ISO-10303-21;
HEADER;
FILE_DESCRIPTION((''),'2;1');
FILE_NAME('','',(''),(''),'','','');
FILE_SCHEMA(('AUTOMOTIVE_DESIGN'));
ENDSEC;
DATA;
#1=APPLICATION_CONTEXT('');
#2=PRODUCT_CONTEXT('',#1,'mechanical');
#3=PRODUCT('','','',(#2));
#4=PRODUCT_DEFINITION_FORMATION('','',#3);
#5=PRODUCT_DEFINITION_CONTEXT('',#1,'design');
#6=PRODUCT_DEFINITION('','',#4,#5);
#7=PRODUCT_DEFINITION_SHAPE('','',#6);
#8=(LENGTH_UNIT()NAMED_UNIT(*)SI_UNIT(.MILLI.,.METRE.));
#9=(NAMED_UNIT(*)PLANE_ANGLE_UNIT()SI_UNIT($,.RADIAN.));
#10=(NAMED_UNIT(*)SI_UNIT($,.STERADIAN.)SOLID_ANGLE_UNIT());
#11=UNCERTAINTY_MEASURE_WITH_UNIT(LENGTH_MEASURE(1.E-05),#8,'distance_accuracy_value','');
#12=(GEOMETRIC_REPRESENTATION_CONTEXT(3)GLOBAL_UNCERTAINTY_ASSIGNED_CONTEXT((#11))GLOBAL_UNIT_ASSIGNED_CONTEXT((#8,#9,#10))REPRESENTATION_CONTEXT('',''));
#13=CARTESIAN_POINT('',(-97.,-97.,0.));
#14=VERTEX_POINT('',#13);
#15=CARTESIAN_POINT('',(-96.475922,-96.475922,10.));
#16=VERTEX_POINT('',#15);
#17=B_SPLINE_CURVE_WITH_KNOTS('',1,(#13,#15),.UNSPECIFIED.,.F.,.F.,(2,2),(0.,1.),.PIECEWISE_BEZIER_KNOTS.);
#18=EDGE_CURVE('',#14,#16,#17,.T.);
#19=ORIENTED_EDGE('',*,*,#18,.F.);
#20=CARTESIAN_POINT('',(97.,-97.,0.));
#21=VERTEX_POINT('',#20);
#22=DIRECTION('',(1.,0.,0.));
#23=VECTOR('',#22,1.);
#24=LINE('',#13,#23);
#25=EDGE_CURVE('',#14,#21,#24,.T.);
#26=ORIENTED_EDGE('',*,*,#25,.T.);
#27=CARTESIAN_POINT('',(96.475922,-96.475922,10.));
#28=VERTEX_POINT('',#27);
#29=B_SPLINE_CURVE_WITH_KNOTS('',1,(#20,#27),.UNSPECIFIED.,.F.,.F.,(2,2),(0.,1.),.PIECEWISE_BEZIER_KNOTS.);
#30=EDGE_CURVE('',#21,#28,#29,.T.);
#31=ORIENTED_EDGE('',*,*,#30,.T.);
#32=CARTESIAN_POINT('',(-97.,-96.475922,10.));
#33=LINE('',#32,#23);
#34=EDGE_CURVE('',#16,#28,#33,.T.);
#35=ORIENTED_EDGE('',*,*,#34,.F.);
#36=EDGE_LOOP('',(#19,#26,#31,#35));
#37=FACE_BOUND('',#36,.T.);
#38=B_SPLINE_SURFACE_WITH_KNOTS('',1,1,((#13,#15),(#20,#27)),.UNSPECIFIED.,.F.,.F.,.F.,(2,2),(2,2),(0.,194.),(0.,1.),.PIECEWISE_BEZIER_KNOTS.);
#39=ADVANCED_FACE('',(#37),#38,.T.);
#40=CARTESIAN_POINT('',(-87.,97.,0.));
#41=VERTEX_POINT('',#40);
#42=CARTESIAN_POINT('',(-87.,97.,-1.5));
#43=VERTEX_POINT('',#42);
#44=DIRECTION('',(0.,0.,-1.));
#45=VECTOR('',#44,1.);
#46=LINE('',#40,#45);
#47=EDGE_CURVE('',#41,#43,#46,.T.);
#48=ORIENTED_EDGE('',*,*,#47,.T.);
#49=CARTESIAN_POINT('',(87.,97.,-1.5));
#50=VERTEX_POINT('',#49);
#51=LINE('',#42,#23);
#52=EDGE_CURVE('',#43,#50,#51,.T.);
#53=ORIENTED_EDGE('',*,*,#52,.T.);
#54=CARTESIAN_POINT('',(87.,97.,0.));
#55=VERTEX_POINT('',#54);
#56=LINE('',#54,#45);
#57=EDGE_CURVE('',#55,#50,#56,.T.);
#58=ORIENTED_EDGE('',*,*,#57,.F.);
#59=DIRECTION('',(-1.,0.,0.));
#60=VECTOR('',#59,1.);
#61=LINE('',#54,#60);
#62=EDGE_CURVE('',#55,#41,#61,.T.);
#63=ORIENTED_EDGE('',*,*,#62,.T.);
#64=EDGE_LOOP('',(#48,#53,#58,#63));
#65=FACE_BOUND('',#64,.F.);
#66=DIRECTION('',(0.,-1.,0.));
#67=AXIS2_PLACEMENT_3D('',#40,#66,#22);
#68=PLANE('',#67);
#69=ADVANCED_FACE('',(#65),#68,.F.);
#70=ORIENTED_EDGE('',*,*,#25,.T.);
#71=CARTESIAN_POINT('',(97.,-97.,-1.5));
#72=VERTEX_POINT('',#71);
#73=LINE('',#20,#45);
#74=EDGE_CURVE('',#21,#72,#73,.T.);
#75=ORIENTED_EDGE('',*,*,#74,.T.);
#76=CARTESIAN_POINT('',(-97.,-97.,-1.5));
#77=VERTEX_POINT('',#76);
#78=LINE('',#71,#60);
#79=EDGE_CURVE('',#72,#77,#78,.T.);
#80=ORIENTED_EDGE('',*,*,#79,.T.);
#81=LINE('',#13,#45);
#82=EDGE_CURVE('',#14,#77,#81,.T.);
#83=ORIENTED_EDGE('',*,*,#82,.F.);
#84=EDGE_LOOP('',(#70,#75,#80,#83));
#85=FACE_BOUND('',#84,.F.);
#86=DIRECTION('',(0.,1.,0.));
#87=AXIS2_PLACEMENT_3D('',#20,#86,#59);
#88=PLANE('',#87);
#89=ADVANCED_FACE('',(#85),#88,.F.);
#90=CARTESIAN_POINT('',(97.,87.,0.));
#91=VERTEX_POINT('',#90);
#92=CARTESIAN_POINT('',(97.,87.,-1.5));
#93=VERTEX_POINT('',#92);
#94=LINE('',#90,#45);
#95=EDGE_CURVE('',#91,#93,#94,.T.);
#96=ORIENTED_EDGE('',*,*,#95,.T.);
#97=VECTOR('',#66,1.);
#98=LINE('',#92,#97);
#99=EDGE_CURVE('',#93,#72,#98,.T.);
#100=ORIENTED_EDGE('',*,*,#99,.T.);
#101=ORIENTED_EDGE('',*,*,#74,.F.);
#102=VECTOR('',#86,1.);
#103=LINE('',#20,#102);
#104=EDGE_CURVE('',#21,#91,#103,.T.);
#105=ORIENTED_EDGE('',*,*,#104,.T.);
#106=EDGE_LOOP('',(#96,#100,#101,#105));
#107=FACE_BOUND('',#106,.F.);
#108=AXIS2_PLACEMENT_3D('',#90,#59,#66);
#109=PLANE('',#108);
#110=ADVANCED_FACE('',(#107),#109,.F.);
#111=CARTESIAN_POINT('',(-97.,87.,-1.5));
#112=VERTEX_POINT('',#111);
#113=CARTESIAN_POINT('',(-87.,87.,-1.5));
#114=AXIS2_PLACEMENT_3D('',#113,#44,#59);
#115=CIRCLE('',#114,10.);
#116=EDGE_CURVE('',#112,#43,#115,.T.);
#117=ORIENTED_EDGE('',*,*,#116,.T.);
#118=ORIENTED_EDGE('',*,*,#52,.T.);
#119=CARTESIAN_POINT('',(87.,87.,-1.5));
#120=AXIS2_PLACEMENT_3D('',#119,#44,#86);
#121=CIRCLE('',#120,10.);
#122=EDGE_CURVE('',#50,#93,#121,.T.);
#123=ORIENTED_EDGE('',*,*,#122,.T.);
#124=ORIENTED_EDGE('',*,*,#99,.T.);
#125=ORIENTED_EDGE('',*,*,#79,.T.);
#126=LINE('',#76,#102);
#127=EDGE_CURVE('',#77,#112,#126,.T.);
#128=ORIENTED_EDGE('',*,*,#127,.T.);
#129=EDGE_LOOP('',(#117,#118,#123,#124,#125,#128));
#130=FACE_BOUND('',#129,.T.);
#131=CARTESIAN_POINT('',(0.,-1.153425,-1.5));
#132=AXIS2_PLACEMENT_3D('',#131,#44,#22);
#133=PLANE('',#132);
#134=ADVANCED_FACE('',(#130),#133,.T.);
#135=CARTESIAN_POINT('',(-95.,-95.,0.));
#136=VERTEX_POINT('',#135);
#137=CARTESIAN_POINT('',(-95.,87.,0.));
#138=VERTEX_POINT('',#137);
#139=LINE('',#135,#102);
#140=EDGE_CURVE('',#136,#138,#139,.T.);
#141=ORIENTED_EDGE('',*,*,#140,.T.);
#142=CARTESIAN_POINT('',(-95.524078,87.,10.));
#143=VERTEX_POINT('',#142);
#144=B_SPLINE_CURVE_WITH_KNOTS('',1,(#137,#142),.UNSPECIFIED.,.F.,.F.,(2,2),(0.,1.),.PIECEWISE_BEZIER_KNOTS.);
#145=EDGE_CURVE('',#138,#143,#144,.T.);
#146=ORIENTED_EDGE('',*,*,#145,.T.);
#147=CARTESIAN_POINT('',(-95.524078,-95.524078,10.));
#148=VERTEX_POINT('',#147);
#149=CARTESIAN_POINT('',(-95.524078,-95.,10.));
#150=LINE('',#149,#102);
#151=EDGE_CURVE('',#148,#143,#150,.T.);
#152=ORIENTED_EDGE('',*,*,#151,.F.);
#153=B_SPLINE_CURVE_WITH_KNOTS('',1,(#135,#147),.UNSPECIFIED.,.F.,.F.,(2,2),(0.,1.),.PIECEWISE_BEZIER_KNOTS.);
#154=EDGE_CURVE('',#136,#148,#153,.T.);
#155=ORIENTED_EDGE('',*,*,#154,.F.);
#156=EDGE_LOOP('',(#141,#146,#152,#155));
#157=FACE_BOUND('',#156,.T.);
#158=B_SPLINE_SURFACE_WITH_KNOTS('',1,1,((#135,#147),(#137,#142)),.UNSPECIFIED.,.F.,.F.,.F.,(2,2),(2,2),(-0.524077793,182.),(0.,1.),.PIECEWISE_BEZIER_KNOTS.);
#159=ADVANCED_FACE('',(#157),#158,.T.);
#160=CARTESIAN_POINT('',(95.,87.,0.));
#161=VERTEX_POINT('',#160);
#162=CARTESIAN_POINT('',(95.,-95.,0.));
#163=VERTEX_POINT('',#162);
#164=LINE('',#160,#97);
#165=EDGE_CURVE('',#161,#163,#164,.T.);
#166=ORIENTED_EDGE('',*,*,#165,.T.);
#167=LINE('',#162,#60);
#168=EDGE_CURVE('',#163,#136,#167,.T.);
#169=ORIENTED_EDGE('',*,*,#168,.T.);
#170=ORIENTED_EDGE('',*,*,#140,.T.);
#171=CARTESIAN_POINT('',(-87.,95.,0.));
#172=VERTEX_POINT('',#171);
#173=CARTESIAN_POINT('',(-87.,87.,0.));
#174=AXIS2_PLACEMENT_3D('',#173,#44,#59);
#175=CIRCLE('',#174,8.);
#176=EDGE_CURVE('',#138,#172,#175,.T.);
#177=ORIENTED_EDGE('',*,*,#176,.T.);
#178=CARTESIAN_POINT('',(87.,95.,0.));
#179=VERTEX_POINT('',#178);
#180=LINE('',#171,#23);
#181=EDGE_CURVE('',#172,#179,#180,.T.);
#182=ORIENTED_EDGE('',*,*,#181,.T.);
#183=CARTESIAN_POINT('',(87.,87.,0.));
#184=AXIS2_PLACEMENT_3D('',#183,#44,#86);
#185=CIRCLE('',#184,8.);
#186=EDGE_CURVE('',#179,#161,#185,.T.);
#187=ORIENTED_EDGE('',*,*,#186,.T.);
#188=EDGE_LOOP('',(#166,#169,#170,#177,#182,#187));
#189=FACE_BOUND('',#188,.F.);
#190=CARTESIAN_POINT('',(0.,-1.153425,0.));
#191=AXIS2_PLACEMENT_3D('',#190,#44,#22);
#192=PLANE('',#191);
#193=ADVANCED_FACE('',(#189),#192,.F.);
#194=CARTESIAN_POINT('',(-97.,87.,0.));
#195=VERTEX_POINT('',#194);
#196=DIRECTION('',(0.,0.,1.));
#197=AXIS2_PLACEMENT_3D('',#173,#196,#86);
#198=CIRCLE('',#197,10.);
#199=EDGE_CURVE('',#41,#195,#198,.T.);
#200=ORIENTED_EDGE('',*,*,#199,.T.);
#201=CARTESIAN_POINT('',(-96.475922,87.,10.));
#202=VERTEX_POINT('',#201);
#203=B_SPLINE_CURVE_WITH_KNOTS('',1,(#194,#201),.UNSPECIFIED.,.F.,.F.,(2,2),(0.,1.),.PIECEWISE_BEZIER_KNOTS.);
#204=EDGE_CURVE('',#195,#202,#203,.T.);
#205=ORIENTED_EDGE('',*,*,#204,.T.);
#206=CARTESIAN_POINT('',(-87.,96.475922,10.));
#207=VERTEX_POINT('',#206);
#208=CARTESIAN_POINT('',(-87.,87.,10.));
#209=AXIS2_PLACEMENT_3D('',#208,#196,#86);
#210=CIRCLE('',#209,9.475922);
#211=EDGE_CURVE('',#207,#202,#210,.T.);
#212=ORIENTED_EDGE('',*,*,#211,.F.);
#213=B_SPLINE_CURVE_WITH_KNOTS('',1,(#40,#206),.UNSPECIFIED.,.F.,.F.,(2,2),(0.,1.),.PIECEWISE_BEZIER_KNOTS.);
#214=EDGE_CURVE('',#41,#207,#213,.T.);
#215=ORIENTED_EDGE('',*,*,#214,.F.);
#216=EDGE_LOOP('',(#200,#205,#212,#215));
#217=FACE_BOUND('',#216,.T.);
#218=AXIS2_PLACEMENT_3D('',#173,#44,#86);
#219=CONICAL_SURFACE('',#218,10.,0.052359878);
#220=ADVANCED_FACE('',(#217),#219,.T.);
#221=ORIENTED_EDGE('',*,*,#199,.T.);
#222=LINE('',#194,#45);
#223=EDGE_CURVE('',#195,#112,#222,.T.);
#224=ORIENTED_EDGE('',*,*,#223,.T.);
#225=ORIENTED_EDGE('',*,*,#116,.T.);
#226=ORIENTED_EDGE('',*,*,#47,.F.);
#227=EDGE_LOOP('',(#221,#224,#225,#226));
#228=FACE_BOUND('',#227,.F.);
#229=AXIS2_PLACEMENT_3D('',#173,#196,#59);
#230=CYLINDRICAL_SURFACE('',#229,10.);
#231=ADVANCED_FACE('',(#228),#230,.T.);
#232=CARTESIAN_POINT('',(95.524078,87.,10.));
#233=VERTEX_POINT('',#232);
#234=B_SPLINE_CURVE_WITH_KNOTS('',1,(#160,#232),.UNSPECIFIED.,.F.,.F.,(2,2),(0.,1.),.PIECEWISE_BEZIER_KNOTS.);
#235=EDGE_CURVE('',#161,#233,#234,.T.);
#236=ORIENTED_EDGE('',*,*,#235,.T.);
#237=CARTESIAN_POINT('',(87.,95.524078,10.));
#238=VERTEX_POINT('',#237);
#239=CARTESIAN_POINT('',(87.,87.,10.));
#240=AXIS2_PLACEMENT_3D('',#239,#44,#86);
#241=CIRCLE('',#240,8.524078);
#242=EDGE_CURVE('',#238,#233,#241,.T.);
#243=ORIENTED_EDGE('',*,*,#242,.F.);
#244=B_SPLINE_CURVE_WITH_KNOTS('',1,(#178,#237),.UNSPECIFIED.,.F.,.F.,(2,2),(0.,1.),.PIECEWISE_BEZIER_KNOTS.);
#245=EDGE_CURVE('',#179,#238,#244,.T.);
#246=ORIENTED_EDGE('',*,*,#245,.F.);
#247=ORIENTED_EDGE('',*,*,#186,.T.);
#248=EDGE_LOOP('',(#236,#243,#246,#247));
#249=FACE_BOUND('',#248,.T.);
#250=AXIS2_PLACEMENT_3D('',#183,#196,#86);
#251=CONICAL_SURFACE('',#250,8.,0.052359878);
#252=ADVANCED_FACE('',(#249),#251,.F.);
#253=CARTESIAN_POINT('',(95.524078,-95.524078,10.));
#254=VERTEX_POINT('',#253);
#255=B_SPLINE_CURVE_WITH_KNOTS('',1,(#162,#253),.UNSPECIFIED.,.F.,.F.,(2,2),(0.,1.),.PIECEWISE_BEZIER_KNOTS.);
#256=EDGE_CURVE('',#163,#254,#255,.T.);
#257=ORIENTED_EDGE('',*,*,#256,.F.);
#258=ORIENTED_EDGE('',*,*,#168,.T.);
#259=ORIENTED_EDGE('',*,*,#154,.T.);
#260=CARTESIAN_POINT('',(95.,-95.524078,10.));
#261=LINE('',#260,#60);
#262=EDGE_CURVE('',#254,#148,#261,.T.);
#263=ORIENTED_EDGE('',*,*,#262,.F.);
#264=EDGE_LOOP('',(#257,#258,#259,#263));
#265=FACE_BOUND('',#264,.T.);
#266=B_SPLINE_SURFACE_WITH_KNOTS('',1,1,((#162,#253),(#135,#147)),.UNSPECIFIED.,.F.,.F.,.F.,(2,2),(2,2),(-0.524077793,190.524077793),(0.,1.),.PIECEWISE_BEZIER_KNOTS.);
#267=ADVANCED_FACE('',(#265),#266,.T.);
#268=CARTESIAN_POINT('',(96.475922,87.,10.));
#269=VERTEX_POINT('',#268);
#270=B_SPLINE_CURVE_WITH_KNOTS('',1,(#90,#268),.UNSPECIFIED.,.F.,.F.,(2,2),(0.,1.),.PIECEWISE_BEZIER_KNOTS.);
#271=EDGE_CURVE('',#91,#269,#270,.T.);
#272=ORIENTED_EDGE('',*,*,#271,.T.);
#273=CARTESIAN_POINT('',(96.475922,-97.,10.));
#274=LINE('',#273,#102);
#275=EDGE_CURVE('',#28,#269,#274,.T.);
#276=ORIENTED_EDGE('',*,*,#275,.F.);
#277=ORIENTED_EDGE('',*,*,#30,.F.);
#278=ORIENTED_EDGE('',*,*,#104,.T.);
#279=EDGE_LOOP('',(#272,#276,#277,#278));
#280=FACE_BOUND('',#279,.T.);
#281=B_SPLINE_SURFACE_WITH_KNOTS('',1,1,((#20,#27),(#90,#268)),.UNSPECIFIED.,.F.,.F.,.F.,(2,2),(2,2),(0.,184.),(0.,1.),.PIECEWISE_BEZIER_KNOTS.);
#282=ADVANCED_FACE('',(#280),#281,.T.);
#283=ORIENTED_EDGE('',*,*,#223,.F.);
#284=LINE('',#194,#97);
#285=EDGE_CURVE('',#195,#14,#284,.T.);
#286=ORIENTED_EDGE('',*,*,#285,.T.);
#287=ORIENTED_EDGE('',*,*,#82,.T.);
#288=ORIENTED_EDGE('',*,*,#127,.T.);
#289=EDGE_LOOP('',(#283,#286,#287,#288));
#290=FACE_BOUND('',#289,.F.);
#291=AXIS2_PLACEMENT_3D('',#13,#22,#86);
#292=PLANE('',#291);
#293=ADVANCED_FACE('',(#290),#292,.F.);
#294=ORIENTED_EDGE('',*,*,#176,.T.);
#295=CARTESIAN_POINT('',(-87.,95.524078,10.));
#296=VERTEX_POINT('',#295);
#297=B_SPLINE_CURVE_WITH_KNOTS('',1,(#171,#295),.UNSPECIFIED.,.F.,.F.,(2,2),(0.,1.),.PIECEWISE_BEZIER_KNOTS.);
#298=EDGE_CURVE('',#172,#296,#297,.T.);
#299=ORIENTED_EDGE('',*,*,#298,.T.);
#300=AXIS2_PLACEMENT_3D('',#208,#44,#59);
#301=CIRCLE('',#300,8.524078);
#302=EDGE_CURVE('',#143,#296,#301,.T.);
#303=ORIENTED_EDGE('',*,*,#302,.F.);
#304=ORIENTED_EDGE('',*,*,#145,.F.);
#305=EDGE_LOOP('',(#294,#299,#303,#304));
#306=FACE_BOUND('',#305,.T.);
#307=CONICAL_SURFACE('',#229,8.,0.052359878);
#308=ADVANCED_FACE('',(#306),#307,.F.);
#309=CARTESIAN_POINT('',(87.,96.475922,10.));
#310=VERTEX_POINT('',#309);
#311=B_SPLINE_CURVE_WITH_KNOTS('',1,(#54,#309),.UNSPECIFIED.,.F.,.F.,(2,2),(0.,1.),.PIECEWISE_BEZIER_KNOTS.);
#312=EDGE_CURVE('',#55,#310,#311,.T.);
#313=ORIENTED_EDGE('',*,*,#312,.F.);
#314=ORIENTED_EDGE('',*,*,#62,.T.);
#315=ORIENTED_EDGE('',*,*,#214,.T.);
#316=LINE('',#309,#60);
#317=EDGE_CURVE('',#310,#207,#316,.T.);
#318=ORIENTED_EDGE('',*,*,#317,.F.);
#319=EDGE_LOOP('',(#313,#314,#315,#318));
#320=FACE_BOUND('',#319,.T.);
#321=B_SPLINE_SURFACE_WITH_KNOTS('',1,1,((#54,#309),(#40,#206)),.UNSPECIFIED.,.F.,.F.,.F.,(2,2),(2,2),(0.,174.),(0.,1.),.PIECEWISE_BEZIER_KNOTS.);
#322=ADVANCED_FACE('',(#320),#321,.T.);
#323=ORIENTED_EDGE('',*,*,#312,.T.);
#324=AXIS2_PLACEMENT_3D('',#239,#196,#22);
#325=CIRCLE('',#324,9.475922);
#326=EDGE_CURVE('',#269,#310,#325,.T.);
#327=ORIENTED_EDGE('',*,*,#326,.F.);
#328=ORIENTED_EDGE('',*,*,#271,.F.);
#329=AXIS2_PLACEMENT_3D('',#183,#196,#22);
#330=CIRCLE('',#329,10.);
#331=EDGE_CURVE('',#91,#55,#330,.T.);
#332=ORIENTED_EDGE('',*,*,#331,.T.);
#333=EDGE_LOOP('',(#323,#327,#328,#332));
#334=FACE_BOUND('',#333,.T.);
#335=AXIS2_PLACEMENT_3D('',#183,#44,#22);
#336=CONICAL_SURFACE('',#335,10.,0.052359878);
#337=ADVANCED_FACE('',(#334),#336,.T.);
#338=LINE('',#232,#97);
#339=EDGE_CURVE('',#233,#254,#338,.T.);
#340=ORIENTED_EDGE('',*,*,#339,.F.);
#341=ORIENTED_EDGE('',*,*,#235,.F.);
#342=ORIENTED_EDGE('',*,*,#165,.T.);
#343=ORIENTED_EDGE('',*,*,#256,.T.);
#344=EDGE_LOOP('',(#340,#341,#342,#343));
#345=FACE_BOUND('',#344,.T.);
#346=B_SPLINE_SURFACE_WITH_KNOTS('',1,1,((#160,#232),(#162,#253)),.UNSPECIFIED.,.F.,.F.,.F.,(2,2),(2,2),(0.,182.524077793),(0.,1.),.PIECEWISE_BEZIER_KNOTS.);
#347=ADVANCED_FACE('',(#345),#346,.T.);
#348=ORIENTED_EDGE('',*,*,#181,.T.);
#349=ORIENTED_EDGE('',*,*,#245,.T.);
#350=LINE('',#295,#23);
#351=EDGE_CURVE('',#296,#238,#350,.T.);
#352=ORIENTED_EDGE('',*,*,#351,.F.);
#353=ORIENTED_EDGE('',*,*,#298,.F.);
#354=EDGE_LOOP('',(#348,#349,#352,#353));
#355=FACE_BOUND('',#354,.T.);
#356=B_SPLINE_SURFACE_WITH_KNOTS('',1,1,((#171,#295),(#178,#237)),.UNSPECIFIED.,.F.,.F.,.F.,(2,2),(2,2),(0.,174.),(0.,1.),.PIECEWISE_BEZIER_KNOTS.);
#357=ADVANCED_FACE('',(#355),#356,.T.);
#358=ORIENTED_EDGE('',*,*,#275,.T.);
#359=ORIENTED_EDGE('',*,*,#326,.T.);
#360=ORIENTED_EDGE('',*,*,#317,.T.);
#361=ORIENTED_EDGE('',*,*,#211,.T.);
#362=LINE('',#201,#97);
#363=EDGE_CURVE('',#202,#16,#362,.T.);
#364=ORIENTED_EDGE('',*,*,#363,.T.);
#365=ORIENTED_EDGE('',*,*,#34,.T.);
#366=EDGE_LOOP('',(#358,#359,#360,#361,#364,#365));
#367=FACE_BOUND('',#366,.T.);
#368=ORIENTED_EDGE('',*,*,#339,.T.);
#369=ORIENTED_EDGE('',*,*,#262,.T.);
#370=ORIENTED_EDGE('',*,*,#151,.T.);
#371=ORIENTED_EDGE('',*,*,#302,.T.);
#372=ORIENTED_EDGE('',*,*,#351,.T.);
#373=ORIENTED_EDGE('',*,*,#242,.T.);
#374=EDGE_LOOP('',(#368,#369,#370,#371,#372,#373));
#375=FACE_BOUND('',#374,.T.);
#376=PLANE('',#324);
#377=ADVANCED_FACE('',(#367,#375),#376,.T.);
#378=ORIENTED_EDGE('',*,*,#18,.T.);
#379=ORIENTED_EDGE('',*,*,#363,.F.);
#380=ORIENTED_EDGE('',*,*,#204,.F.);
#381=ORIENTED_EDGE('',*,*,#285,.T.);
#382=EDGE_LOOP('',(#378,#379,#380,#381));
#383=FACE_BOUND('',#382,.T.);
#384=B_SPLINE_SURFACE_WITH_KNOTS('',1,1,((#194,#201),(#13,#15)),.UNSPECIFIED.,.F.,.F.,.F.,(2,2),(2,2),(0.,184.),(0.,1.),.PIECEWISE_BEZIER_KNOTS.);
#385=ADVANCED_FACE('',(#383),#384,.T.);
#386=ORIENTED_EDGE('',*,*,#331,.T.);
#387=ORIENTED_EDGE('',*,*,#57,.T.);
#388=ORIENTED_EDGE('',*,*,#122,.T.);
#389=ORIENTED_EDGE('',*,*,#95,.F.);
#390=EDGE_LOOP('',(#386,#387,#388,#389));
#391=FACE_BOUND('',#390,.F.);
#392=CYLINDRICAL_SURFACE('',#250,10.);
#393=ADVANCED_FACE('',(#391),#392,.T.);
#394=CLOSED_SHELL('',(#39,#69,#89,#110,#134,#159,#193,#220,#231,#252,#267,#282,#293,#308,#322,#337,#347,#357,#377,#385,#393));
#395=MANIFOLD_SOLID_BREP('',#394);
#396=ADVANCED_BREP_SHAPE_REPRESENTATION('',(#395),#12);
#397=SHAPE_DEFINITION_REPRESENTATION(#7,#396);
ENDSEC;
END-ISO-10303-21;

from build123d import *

# Parameters (mm, degrees)
F1_DEPTH = 10
F1_TAPER = 3
F3_DEPTH = 1.5


with BuildPart() as f1:
    # F0 (on Top) → F1 (new body)
    with BuildSketch(Plane.XY):
        with BuildLine():
            Line((-97, -97), (97, -97))
            Line((97, -97), (97, 87))
            ThreePointArc((97, 87), (94.0710678119, 94.0710678119), (87, 97))
            Line((87, 97), (-87, 97))
            ThreePointArc((-87, 97), (-94.0710678119, 94.0710678119), (-97, 87))
            Line((-97, 87), (-97, -97))
        make_face()
        with BuildLine():
            Line((95, 87), (95, -95))
            Line((95, -95), (-95, -95))
            Line((-95, -95), (-95, 87))
            ThreePointArc((-95, 87), (-92.6568542495, 92.6568542495), (-87, 95))
            Line((-87, 95), (87, 95))
            ThreePointArc((87, 95), (92.6568542495, 92.6568542495), (95, 87))
        make_face(mode=Mode.SUBTRACT)
    extrude(amount=F1_DEPTH, taper=F1_TAPER)

    # F2 (on face) → F3 (join)
    with BuildSketch(Plane(origin=(0, 0, 0), x_dir=(1, 0, 0), z_dir=(0, 0, -1))):
        with BuildLine():
            Line((97, -87), (97, 97))
            Line((97, 97), (-97, 97))
            Line((-97, 97), (-97, -87))
            ThreePointArc((-97, -87), (-94.0710678119, -94.0710678119), (-87, -97))
            Line((-87, -97), (87, -97))
            ThreePointArc((87, -97), (94.0710678119, -94.0710678119), (97, -87))
        make_face()
    extrude(amount=F3_DEPTH)


solid = f1.part
